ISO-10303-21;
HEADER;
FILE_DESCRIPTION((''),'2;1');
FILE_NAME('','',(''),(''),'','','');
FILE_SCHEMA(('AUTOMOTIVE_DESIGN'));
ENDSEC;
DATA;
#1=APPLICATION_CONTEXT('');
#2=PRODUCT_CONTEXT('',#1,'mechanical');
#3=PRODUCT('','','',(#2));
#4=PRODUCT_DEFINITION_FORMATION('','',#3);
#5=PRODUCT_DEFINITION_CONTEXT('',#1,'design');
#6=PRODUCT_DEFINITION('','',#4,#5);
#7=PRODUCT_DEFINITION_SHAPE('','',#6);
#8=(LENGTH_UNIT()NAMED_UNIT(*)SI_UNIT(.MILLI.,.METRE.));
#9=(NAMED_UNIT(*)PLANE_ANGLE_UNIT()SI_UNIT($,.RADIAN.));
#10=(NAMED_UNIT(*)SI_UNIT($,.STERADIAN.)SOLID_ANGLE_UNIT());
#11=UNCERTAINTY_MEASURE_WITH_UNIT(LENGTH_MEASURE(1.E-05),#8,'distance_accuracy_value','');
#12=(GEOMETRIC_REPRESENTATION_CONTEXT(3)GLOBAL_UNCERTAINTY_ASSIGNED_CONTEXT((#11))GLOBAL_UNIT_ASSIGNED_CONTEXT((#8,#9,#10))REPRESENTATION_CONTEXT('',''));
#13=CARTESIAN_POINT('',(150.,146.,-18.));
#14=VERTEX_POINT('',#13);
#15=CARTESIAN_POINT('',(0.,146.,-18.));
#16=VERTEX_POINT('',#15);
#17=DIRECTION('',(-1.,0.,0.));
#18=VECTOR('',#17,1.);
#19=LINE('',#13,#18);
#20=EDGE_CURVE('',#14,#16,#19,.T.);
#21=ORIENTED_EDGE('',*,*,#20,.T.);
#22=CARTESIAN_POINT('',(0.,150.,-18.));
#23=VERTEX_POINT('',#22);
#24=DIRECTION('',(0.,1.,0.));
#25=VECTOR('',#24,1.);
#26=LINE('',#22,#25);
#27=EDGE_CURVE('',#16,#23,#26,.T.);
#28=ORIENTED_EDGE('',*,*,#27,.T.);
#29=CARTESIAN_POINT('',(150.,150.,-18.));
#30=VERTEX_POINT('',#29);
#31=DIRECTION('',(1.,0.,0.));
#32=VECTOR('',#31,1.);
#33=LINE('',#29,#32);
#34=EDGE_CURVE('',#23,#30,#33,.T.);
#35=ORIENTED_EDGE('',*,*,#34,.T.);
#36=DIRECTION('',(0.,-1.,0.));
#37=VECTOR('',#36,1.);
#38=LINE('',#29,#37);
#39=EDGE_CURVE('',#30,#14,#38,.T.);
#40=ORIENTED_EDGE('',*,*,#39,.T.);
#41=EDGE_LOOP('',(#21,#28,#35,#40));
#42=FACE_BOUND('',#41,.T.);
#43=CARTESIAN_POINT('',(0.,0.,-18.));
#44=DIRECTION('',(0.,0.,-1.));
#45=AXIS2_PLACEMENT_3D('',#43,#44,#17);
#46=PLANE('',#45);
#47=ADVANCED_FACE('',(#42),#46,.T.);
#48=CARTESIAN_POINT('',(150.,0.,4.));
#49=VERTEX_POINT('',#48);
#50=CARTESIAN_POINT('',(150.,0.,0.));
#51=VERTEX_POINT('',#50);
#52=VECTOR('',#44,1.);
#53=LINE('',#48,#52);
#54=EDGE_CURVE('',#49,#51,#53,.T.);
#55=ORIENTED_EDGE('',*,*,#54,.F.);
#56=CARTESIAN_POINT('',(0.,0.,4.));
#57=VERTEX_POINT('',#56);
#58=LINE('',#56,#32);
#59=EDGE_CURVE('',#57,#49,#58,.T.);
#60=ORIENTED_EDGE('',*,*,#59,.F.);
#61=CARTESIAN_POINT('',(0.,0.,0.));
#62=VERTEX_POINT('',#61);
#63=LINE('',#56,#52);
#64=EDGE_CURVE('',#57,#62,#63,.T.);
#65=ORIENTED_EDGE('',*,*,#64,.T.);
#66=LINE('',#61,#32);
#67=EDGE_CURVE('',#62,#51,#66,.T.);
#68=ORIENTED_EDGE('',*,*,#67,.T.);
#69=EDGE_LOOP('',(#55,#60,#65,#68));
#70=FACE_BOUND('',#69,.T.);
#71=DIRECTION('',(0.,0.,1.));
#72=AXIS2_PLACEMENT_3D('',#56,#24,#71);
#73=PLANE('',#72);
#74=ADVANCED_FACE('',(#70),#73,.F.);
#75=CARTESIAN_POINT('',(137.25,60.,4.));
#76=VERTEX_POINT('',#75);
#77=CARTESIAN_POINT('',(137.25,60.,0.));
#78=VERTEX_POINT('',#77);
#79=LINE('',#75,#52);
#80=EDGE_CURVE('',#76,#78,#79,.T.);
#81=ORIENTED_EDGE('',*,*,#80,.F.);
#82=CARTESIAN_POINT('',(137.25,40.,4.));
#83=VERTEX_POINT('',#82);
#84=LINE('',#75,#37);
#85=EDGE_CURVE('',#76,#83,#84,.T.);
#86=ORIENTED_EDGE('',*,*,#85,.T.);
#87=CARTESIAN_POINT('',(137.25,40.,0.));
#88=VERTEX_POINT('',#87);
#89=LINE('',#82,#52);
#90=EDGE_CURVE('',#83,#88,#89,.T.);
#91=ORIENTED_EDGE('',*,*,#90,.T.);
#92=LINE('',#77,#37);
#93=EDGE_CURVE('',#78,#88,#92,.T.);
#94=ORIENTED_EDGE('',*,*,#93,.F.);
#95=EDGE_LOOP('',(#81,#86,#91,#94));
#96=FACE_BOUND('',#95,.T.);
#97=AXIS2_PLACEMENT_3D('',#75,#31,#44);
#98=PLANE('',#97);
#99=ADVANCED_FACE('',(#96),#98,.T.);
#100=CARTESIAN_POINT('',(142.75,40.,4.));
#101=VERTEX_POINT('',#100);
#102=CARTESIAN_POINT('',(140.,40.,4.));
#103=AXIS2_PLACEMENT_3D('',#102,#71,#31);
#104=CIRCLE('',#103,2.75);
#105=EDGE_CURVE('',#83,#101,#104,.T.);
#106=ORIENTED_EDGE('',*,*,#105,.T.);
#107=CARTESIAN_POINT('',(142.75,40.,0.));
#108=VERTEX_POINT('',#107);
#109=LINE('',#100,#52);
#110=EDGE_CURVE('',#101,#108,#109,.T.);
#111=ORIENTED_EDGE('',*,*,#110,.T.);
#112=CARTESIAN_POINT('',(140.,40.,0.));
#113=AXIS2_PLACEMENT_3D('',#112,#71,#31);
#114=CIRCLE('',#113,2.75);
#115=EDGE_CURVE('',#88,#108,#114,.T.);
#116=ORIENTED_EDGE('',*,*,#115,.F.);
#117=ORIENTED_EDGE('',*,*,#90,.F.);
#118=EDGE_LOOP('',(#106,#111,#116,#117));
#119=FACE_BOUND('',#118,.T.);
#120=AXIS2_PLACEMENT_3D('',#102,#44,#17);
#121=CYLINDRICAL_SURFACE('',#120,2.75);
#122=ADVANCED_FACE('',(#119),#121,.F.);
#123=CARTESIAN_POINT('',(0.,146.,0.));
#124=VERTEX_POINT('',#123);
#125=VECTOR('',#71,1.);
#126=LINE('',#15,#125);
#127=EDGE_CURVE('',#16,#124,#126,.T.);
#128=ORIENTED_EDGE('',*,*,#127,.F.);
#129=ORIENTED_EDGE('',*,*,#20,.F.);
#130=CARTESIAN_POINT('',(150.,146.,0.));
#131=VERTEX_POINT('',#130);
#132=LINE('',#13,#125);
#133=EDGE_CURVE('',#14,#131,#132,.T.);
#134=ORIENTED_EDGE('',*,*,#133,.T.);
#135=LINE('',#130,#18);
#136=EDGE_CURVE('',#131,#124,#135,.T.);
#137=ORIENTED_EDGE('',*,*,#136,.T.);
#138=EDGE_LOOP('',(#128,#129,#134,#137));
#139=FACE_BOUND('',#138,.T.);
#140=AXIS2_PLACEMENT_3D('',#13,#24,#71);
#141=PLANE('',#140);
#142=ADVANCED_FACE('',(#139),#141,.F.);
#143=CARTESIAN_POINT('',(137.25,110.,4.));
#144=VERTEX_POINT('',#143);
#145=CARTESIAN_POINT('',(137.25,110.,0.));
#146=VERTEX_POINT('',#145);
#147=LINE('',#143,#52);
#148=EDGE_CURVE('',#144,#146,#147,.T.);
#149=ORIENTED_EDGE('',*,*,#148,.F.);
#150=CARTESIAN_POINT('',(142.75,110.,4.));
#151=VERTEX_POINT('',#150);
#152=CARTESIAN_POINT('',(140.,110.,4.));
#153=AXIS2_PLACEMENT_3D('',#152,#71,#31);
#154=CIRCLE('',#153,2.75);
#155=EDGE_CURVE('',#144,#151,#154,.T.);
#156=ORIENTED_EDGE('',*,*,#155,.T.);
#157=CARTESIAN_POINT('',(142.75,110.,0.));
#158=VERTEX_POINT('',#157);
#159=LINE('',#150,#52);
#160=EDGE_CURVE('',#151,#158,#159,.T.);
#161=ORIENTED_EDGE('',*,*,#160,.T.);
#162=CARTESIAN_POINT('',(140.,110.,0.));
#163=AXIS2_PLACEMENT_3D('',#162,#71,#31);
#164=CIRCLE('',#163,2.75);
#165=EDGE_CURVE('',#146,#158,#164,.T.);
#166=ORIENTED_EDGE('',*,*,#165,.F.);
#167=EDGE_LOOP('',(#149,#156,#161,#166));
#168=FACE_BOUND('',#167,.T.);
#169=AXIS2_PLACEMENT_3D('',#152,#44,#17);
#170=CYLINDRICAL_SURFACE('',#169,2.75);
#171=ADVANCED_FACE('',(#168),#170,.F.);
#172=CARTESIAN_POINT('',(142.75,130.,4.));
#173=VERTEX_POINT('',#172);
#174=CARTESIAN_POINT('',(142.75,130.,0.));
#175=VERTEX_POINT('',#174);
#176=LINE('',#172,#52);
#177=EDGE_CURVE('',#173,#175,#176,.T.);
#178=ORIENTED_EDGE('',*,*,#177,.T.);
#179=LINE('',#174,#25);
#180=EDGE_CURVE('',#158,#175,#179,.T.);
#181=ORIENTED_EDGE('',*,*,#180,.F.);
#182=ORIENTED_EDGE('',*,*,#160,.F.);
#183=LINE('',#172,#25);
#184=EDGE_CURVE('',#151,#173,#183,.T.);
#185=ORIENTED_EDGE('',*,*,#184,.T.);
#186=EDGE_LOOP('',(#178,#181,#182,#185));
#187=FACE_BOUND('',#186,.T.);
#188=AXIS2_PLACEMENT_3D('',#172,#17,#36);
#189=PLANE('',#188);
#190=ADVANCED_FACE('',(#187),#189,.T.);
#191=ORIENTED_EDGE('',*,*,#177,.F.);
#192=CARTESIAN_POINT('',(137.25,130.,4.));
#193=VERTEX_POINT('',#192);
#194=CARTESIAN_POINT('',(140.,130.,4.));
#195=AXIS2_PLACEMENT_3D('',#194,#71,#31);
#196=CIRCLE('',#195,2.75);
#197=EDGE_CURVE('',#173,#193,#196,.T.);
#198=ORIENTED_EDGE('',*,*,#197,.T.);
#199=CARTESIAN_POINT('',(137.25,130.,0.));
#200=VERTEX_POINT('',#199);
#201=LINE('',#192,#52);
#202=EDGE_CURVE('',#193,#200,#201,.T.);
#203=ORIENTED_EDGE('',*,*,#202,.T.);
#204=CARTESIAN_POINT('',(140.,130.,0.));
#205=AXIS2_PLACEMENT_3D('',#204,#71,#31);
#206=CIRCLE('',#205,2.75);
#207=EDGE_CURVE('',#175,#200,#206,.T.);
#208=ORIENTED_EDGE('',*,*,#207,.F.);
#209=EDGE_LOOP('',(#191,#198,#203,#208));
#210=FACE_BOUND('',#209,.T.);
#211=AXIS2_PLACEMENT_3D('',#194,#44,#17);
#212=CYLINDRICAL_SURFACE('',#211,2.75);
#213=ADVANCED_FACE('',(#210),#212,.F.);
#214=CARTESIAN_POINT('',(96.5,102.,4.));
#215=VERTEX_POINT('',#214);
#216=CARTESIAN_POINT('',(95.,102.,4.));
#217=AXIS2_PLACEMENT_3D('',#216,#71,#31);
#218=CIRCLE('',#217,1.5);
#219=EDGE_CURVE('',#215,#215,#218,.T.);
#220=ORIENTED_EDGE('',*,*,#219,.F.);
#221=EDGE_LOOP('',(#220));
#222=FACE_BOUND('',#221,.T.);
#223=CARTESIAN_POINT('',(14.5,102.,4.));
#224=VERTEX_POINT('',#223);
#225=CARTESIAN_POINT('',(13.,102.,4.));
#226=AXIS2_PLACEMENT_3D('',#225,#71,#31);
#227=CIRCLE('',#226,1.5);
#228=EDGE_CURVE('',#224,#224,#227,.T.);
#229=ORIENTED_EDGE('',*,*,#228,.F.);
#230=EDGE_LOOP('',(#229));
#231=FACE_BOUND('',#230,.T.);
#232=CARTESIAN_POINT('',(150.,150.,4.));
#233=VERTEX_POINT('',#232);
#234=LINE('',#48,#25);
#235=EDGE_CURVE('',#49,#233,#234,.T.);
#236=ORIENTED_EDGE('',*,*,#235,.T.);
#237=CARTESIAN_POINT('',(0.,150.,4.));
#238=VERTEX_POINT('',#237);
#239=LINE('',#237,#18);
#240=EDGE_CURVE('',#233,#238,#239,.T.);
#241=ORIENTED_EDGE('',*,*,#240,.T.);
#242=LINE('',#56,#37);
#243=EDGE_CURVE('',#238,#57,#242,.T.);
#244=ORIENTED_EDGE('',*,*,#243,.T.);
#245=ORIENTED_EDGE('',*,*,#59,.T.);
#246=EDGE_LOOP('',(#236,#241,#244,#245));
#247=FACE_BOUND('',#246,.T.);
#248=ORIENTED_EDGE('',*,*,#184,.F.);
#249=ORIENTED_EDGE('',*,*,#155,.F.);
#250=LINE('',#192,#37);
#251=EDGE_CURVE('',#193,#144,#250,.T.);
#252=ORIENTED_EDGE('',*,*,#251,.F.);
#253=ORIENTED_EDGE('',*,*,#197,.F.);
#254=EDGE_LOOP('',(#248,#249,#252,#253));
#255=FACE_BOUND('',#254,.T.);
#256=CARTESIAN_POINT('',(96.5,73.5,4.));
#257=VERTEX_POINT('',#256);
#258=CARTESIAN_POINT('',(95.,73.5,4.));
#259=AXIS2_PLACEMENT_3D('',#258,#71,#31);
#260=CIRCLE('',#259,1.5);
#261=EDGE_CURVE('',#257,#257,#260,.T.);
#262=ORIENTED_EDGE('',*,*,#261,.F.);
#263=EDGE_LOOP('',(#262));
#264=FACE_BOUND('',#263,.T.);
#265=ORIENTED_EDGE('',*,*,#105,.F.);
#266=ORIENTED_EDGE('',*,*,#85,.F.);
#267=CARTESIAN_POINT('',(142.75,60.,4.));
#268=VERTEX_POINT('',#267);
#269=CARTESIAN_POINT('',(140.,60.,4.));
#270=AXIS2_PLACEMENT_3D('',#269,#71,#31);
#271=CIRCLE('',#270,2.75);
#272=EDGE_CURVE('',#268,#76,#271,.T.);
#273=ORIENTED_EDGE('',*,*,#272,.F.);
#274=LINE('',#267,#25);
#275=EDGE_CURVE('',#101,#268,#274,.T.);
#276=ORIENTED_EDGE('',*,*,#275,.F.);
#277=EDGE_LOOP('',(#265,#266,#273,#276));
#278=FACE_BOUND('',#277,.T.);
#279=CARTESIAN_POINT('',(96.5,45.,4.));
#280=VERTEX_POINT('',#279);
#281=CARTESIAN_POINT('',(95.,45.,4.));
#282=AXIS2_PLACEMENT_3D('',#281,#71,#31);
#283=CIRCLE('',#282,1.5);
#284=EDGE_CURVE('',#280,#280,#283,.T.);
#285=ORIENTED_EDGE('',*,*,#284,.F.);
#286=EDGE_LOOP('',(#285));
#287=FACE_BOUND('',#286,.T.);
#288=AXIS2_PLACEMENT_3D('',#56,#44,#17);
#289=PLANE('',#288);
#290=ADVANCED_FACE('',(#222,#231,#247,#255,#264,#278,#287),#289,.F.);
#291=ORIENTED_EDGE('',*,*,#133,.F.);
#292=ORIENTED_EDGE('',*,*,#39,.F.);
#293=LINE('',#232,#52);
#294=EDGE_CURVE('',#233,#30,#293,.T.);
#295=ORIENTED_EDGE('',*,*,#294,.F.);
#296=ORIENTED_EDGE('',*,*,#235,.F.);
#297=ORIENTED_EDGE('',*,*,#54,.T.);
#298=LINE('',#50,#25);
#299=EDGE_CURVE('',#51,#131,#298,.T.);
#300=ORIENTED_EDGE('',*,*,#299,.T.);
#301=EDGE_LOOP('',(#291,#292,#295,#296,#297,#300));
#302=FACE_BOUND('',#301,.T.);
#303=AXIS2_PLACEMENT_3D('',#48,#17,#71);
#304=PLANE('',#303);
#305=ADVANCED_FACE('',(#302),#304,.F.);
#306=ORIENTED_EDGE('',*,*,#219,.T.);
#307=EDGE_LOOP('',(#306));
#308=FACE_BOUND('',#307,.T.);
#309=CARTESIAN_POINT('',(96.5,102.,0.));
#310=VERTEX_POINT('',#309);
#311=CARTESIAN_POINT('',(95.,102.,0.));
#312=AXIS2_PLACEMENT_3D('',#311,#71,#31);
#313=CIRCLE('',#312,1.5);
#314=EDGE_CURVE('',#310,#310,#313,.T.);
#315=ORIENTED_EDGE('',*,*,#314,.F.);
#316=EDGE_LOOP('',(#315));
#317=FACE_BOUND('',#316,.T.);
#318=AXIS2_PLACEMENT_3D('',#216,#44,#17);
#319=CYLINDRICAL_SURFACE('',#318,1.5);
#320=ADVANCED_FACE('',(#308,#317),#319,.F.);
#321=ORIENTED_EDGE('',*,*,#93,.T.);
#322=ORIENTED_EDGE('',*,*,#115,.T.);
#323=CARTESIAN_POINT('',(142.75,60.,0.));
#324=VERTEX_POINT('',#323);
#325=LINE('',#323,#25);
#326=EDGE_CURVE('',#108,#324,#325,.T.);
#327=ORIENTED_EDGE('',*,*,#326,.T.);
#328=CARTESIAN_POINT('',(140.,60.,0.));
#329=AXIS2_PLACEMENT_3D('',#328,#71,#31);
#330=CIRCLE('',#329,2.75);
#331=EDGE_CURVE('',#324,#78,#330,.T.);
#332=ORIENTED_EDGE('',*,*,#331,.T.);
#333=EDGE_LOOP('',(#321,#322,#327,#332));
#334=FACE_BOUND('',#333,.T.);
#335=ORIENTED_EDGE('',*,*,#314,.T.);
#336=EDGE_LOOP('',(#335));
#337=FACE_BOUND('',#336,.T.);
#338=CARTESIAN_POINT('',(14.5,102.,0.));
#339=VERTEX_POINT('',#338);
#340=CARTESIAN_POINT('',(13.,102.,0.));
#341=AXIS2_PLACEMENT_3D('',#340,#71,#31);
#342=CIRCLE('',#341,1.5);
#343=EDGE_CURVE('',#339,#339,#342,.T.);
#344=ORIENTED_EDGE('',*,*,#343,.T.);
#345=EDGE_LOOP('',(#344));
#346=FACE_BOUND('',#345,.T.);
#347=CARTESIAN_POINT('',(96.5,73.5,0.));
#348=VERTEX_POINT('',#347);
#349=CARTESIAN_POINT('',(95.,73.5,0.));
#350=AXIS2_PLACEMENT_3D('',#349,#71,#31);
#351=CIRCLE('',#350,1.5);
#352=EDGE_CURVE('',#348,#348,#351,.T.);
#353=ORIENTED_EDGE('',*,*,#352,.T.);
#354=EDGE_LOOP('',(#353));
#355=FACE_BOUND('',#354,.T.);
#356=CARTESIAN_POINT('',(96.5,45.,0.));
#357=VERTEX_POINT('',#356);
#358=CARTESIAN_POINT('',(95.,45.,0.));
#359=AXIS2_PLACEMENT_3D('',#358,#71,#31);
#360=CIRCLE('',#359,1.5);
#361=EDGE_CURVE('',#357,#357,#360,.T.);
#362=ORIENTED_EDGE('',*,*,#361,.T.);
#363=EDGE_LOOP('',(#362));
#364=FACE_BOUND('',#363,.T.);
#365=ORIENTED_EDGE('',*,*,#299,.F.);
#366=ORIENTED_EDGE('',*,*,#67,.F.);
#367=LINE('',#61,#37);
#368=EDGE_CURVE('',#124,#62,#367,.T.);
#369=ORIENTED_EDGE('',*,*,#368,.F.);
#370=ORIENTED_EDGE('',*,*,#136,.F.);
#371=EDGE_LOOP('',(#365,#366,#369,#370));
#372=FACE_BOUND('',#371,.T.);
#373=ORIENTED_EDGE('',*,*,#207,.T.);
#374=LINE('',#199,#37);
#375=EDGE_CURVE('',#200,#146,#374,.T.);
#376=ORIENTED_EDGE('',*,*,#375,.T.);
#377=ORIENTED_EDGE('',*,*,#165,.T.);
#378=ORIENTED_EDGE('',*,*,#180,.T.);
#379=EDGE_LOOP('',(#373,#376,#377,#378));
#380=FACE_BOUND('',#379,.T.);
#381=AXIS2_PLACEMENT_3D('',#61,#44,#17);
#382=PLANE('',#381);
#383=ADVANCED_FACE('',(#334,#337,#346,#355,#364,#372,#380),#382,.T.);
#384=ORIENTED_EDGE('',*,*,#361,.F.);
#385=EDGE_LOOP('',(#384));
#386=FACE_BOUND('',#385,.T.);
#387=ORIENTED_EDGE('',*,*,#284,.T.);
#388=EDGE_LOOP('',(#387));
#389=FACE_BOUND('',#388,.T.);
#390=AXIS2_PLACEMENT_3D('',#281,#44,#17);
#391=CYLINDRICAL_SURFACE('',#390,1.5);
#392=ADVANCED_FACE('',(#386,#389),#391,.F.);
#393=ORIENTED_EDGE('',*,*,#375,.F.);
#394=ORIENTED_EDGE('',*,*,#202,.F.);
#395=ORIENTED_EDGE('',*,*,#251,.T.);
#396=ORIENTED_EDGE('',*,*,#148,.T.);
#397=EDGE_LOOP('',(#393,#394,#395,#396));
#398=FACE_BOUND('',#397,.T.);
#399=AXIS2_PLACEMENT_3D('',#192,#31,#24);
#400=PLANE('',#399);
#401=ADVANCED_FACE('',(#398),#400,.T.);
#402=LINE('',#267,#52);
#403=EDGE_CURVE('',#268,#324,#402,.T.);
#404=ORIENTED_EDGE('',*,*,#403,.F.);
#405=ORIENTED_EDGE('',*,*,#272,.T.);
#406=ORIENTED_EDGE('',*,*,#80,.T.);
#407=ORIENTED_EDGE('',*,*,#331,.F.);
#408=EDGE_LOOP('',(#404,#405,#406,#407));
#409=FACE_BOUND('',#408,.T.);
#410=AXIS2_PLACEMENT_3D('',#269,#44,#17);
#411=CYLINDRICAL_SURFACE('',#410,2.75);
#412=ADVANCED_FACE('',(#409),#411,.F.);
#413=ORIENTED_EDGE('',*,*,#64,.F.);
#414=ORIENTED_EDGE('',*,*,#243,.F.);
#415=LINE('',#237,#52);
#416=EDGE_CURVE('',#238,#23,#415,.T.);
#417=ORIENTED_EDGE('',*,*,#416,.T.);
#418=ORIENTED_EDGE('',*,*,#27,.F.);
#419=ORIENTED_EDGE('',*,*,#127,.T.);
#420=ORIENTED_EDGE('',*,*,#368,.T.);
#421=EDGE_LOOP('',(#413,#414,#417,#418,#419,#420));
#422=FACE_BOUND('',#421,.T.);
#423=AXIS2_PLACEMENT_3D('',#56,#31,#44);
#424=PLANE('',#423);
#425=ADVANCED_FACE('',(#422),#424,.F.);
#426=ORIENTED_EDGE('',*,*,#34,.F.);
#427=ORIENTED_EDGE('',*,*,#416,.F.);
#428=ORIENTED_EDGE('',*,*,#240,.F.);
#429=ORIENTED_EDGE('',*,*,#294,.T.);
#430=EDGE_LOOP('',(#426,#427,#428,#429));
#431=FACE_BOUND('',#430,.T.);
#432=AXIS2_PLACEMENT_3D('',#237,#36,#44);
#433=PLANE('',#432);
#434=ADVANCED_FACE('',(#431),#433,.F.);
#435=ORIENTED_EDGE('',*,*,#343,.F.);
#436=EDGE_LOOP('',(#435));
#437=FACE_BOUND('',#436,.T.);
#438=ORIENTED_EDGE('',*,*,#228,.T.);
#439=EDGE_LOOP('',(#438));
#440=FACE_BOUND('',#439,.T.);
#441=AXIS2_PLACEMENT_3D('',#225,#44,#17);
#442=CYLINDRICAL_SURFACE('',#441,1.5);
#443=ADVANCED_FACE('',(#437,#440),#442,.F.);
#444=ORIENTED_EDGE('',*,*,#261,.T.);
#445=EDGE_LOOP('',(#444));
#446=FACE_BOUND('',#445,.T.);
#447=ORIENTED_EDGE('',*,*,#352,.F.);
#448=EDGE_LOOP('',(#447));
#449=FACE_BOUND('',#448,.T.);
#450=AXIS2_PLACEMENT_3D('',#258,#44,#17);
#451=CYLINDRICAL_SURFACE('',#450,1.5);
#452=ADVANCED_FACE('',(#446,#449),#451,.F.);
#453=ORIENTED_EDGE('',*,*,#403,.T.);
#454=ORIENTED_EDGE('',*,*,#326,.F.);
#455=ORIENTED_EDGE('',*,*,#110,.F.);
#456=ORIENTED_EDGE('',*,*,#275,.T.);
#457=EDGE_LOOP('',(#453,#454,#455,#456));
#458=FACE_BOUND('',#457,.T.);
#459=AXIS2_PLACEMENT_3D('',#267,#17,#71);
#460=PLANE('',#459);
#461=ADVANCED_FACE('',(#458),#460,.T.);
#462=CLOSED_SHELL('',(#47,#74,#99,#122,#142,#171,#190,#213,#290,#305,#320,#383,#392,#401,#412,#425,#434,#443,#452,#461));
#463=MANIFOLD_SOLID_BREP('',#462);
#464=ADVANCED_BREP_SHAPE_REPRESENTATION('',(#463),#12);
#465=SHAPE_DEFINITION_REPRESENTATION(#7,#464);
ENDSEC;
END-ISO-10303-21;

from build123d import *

# Parameters (mm, degrees)
SKETCH_1_W      = 150
SKETCH_1_H      = 150
SKETCH_1_R      = 1.5
EXTRUDE_1_DEPTH = 4
SKETCH_2_W      = 150
SKETCH_2_H      = 4
EXTRUDE_2_DEPTH = 18


with BuildPart() as part:
    # 草图1 → 凸台-拉伸1 (new body)
    with BuildSketch(Plane.XY):
        with Locations((75, 75)):
            Rectangle(SKETCH_1_W, SKETCH_1_H)
        with Locations((95, 102)):
            Circle(SKETCH_1_R, mode=Mode.SUBTRACT)
        with Locations((95, 45)):
            Circle(SKETCH_1_R, mode=Mode.SUBTRACT)
        with Locations((95, 73.5)):
            Circle(SKETCH_1_R, mode=Mode.SUBTRACT)
        with Locations((13, 102)):
            Circle(SKETCH_1_R, mode=Mode.SUBTRACT)
        with BuildLine():
            Line((142.75, 130), (142.75, 110))
            ThreePointArc((142.75, 110), (140, 107.25), (137.25, 110))
            Line((137.25, 110), (137.25, 130))
            ThreePointArc((137.25, 130), (140, 132.75), (142.75, 130))
        make_face(mode=Mode.SUBTRACT)
        with BuildLine():
            Line((142.75, 60), (142.75, 40))
            ThreePointArc((142.75, 40), (140, 37.25), (137.25, 40))
            Line((137.25, 40), (137.25, 60))
            ThreePointArc((137.25, 60), (140, 62.75), (142.75, 60))
        make_face(mode=Mode.SUBTRACT)
    extrude(amount=EXTRUDE_1_DEPTH)

    # 草图2 → 凸台-拉伸2 (add)
    with BuildSketch(Plane(origin=(0, 0, 0), x_dir=(-1, 0, 0), z_dir=(0, 0, -1))):
        with Locations((-75, 148)):
            Rectangle(SKETCH_2_W, SKETCH_2_H)
    extrude(amount=EXTRUDE_2_DEPTH)


solid = part.part
